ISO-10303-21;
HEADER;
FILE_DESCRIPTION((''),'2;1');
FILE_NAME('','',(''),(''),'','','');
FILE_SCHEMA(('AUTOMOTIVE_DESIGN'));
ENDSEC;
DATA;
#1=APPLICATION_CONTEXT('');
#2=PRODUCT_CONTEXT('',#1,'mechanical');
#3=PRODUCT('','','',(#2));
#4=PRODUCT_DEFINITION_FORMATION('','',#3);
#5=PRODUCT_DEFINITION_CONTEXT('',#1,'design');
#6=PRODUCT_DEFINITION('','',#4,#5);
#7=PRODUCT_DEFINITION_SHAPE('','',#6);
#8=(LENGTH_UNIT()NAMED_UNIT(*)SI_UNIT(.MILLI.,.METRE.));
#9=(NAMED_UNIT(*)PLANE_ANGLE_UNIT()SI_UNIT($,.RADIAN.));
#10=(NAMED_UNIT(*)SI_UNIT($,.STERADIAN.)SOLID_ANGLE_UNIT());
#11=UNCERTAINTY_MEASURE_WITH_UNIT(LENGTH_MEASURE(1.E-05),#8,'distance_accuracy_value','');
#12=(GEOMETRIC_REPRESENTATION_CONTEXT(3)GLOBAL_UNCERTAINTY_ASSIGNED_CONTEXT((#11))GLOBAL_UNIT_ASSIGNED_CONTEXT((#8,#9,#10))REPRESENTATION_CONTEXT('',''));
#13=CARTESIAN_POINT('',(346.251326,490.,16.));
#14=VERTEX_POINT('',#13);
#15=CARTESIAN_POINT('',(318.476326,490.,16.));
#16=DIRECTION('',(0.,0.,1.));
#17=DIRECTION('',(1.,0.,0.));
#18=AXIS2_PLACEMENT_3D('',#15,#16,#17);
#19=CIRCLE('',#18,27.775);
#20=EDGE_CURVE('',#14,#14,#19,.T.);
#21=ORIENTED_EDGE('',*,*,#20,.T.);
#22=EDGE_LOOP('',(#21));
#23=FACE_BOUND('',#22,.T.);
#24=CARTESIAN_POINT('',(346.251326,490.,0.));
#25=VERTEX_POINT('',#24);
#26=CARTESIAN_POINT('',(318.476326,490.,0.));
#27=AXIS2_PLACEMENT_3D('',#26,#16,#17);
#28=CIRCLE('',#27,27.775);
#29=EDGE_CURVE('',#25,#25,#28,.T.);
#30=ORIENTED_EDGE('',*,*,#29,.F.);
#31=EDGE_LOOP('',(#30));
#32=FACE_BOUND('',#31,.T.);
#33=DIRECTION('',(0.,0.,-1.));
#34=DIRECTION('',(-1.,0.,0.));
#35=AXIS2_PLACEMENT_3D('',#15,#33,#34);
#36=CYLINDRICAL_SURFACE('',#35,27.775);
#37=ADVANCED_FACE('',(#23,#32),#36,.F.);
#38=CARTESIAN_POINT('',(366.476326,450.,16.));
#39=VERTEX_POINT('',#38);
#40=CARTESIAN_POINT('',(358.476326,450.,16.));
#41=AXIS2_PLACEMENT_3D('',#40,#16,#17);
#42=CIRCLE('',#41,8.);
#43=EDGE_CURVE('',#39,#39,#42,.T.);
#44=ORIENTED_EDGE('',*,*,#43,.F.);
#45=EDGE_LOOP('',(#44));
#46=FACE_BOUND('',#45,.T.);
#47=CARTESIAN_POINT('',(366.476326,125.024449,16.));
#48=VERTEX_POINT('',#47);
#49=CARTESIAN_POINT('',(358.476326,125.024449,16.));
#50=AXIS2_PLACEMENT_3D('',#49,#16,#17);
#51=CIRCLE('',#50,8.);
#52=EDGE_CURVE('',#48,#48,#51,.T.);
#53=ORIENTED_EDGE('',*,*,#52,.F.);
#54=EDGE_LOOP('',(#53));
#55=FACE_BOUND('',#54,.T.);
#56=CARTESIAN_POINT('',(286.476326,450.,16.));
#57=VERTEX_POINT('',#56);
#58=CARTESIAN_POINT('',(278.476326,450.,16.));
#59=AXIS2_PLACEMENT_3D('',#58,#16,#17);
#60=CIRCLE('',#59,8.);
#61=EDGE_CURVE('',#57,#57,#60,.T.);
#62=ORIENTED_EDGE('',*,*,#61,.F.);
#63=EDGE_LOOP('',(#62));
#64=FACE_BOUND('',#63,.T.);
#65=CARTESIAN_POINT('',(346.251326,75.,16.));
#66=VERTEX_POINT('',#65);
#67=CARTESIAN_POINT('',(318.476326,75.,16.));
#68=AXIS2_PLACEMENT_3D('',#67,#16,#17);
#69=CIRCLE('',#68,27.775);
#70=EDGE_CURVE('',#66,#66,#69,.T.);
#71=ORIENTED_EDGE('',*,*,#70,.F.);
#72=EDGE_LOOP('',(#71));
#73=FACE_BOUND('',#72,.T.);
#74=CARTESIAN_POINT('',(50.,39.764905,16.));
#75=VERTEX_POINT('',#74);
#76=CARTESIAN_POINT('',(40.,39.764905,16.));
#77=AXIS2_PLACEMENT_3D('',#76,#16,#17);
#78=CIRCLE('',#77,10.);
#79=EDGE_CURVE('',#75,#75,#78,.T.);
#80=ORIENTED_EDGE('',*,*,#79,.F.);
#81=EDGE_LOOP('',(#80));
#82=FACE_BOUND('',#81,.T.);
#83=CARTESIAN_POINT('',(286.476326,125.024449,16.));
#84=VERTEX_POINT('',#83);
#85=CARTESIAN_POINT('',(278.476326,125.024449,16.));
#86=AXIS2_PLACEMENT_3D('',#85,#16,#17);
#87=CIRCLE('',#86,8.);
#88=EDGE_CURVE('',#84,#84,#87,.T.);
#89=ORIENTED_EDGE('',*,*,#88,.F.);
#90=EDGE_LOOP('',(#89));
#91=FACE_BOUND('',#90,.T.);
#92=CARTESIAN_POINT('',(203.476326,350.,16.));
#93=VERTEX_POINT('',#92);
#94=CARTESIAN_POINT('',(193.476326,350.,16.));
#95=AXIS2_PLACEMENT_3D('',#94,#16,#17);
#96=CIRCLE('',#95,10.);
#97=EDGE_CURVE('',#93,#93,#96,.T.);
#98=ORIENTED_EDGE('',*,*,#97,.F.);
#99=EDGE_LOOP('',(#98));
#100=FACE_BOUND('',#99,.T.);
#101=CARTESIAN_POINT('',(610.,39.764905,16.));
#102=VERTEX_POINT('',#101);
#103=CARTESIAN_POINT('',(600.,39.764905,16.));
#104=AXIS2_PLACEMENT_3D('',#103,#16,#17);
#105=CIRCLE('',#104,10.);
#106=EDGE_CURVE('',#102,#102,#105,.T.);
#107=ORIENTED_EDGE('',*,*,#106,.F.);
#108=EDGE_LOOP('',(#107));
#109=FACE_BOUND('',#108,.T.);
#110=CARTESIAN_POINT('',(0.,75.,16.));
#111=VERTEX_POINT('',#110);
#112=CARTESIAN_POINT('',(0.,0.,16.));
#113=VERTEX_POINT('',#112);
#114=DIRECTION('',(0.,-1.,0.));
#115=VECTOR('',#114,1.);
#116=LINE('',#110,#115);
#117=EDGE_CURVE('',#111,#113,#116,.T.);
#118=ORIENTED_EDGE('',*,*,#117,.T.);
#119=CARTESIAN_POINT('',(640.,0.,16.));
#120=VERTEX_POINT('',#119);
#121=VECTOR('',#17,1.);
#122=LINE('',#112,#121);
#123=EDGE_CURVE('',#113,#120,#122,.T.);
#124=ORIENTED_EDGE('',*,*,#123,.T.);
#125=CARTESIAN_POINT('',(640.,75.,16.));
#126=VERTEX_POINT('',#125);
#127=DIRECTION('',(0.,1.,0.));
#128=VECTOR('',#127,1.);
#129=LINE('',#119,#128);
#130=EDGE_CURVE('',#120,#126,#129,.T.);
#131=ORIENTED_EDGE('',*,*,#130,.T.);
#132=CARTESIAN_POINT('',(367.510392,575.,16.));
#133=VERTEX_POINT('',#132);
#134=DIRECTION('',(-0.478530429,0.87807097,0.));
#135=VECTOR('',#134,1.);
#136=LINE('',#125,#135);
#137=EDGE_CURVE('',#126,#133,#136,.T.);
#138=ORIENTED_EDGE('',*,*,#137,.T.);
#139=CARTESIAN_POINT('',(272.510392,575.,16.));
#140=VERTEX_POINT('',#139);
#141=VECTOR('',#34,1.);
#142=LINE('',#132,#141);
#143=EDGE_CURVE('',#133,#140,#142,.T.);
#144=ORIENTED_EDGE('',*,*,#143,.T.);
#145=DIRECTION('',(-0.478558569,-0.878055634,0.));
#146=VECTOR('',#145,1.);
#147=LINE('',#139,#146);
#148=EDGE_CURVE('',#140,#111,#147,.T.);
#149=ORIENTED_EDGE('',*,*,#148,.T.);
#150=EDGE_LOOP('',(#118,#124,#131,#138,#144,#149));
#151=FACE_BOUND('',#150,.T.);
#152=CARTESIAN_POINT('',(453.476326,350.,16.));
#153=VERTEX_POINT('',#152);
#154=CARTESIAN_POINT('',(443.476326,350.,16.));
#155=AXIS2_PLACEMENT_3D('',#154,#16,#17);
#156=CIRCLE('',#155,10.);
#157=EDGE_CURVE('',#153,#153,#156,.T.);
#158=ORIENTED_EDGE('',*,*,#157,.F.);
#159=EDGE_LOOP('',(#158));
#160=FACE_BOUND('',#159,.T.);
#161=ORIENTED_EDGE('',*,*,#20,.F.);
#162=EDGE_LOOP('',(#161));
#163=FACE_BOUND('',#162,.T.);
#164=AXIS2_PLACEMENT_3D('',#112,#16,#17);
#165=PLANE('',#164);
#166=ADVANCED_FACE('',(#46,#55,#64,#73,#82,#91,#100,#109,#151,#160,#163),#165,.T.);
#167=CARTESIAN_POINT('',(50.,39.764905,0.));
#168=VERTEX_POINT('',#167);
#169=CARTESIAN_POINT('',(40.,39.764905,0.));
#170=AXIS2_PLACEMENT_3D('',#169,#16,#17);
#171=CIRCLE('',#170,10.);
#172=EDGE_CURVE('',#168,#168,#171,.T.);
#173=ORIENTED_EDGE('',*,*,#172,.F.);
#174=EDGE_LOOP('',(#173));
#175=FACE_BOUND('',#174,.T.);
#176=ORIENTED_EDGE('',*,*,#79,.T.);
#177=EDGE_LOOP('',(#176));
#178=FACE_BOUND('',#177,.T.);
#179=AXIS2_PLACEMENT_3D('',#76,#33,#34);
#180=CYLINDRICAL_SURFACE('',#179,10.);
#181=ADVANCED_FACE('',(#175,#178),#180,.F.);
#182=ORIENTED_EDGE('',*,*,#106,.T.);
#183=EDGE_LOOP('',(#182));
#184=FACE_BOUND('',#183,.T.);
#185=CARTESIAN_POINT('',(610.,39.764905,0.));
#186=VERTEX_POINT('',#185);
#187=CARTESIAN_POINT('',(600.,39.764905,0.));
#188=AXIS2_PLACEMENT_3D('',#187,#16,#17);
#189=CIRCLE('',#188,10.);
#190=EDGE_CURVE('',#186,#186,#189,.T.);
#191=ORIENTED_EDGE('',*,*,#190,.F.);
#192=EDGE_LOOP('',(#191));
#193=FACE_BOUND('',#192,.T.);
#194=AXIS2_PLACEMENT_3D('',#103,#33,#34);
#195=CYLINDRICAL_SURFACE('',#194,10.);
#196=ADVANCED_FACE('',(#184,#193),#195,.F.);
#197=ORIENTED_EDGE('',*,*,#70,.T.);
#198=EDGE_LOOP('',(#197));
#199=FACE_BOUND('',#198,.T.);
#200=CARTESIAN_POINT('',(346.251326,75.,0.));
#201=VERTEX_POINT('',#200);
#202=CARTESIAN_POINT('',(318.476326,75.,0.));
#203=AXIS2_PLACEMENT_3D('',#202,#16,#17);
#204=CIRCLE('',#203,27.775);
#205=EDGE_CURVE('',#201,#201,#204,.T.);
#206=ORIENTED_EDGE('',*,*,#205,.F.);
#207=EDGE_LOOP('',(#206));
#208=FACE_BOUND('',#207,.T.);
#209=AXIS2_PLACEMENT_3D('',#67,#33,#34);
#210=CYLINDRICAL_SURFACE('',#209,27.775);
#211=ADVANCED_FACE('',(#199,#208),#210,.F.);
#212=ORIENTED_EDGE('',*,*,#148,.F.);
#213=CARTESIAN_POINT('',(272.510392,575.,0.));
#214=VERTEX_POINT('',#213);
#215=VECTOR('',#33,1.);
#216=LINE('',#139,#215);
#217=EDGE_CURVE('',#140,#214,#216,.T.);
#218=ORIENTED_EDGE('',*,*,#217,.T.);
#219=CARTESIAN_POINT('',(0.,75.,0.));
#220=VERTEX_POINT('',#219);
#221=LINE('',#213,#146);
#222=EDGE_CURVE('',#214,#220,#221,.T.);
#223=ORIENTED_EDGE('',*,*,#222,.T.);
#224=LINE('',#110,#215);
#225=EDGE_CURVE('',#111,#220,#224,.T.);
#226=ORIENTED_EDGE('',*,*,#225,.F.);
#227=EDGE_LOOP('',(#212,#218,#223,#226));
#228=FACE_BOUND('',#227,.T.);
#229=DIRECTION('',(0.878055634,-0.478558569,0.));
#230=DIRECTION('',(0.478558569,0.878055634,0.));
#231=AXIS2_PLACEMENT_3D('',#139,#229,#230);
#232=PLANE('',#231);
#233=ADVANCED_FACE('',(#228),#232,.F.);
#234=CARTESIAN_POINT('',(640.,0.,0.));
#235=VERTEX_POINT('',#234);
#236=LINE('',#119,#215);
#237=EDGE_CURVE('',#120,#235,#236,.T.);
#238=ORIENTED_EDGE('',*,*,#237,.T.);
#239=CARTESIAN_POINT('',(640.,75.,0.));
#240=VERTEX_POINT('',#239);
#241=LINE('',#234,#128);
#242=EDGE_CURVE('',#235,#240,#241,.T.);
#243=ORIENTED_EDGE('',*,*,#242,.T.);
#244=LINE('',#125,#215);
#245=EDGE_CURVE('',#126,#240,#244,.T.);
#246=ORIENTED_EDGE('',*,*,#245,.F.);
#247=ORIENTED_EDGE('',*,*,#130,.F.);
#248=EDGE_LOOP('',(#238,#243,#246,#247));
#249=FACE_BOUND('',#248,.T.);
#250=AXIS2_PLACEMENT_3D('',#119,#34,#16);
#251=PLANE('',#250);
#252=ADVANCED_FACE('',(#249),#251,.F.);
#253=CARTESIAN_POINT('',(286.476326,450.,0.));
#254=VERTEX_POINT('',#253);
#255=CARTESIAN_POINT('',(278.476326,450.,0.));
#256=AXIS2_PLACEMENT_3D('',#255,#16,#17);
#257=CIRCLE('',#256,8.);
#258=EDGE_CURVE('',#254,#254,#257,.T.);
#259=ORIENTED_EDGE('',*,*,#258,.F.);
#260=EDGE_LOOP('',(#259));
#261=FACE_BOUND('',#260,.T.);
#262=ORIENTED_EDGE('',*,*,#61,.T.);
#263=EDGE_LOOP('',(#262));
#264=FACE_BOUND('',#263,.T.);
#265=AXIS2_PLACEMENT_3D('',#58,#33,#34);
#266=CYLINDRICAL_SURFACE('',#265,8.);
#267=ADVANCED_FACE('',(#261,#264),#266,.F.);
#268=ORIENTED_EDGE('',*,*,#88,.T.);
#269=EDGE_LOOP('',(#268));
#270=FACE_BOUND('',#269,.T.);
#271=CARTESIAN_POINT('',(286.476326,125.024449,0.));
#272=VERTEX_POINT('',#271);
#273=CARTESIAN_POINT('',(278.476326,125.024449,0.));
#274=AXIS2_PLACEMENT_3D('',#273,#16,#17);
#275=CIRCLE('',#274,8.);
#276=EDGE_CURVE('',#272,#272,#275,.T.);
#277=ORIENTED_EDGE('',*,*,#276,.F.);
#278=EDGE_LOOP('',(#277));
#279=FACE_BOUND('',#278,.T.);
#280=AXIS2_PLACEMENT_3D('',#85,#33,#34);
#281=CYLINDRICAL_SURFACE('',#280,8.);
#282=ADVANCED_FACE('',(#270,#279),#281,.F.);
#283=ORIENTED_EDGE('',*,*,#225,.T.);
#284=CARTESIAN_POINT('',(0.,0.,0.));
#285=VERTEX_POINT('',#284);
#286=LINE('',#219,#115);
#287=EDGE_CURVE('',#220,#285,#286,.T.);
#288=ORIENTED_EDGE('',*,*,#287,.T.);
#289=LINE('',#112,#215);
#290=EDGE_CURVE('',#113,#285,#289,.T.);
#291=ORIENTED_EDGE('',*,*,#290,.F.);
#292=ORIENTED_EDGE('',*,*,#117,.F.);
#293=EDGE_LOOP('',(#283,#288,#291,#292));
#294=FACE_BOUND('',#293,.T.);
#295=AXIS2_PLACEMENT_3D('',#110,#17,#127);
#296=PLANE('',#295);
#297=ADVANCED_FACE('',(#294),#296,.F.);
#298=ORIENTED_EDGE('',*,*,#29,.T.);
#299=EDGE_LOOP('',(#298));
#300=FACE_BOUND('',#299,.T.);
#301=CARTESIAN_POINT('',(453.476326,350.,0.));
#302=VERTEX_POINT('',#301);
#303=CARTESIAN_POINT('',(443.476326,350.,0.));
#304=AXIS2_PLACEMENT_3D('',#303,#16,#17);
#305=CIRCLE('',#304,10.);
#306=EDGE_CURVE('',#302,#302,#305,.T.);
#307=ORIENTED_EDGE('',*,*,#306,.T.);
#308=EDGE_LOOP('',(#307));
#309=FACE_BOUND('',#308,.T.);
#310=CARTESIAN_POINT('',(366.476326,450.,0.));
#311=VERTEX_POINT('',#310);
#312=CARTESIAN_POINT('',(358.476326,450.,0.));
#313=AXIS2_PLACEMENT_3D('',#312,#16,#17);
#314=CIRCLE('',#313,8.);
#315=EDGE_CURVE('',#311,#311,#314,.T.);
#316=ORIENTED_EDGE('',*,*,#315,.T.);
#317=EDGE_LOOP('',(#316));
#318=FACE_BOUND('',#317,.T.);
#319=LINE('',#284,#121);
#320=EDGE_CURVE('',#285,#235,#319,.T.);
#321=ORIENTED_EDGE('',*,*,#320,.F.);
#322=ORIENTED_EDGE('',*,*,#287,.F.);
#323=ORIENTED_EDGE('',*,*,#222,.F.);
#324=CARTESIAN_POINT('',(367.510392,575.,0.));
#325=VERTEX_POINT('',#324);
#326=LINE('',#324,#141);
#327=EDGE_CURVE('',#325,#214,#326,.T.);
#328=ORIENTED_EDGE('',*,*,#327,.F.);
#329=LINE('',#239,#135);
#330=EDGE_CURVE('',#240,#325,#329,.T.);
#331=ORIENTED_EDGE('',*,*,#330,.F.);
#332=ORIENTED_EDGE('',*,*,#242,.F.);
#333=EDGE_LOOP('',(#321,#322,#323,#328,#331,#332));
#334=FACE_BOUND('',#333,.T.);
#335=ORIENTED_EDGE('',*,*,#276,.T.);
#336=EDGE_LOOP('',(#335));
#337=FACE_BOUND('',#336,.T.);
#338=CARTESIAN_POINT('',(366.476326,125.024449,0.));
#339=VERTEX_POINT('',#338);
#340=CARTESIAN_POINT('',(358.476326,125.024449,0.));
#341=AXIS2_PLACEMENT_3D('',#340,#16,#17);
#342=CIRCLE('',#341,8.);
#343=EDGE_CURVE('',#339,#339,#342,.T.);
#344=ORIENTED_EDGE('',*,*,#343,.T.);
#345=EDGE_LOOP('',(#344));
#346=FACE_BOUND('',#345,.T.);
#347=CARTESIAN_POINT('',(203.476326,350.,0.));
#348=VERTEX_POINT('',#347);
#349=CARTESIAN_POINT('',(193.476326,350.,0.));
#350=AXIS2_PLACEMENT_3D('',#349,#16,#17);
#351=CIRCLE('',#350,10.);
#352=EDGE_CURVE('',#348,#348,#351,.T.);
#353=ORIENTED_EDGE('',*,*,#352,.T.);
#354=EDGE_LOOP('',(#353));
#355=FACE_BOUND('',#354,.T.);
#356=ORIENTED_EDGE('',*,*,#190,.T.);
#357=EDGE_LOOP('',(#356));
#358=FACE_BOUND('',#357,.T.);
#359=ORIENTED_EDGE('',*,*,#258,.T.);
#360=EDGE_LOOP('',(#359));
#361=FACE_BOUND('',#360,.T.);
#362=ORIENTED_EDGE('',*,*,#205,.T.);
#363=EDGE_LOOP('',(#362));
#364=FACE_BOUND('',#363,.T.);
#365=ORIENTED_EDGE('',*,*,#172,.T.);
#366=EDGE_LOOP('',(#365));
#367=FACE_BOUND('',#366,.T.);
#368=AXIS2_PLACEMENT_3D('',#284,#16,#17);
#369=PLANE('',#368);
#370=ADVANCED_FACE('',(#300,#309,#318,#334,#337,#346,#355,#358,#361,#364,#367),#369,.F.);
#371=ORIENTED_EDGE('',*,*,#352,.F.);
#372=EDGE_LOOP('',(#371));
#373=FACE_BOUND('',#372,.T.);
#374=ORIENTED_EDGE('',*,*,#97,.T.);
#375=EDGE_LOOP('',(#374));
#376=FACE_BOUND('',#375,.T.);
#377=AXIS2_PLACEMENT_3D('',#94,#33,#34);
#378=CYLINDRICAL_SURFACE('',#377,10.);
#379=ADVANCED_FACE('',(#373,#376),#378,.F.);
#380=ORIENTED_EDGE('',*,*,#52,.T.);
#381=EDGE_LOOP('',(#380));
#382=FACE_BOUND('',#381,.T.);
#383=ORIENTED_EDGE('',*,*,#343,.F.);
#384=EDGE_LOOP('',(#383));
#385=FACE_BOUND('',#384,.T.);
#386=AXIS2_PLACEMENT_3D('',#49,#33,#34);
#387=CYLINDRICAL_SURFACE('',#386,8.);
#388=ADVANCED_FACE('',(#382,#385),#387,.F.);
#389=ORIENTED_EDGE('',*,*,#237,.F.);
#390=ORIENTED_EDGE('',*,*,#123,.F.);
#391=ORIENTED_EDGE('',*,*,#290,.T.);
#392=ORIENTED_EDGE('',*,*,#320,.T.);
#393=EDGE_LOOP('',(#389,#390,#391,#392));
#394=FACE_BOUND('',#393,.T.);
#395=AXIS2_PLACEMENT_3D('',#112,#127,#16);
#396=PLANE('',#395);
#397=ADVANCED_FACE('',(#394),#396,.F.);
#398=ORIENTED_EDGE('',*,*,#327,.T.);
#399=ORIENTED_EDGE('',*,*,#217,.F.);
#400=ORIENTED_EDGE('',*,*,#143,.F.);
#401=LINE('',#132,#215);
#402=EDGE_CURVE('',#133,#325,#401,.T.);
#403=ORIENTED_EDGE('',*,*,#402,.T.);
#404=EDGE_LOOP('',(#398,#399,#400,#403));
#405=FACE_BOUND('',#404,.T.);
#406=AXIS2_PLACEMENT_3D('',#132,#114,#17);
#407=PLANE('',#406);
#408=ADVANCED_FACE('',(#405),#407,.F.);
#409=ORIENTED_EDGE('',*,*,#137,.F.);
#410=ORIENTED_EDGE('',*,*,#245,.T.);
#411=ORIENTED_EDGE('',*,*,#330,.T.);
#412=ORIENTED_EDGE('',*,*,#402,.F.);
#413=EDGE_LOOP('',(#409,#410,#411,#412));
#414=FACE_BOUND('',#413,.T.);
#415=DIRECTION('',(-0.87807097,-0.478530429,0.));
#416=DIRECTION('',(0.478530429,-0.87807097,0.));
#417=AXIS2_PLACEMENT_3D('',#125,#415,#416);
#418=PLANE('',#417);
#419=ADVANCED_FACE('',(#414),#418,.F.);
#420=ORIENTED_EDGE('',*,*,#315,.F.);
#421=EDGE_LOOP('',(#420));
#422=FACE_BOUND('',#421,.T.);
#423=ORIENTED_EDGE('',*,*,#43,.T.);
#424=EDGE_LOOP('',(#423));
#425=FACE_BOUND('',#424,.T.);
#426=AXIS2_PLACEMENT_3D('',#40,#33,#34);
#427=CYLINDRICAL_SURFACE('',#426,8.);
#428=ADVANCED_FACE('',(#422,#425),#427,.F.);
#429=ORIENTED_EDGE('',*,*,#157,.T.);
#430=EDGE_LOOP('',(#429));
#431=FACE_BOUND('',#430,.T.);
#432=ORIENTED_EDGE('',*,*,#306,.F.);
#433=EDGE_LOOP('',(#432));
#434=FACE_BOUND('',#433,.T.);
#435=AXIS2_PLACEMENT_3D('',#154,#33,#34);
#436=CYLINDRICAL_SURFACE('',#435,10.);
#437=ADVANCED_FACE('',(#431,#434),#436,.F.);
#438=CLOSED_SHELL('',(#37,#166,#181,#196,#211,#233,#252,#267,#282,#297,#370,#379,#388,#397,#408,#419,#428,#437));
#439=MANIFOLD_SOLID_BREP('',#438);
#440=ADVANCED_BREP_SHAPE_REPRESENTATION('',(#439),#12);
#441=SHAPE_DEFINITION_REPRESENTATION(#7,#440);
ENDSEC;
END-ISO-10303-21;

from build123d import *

# Parameters (mm, degrees)
SKETCH2_R           = 27.775
SKETCH2_R_2         = 8
SKETCH2_R_3         = 10
BOSS_EXTRUDE1_DEPTH = 16


with BuildPart() as part:
    # Sketch2 → Boss-Extrude1 (new body)
    with BuildSketch(Plane.XY):
        Polygon((0, 0), (640, 0), (640, 75), (367.510391728, 575), (272.510391728, 575), (0, 75), align=None)
        with Locations((318.4763261, 490)):
            Circle(SKETCH2_R, mode=Mode.SUBTRACT)
        with Locations((278.4763261, 450)):
            Circle(SKETCH2_R_2, mode=Mode.SUBTRACT)
        with Locations((358.4763261, 450)):
            Circle(SKETCH2_R_2, mode=Mode.SUBTRACT)
        with Locations((193.4763261, 350)):
            Circle(SKETCH2_R_3, mode=Mode.SUBTRACT)
        with Locations((443.4763261, 350)):
            Circle(SKETCH2_R_3, mode=Mode.SUBTRACT)
        with Locations((278.4763261, 125.024449421)):
            Circle(SKETCH2_R_2, mode=Mode.SUBTRACT)
        with Locations((358.4763261, 125.024449421)):
            Circle(SKETCH2_R_2, mode=Mode.SUBTRACT)
        with Locations((318.4763261, 75)):
            Circle(SKETCH2_R, mode=Mode.SUBTRACT)
        with Locations((40, 39.764905221)):
            Circle(SKETCH2_R_3, mode=Mode.SUBTRACT)
        with Locations((600, 39.764905221)):
            Circle(SKETCH2_R_3, mode=Mode.SUBTRACT)
    extrude(amount=BOSS_EXTRUDE1_DEPTH)


solid = part.part
